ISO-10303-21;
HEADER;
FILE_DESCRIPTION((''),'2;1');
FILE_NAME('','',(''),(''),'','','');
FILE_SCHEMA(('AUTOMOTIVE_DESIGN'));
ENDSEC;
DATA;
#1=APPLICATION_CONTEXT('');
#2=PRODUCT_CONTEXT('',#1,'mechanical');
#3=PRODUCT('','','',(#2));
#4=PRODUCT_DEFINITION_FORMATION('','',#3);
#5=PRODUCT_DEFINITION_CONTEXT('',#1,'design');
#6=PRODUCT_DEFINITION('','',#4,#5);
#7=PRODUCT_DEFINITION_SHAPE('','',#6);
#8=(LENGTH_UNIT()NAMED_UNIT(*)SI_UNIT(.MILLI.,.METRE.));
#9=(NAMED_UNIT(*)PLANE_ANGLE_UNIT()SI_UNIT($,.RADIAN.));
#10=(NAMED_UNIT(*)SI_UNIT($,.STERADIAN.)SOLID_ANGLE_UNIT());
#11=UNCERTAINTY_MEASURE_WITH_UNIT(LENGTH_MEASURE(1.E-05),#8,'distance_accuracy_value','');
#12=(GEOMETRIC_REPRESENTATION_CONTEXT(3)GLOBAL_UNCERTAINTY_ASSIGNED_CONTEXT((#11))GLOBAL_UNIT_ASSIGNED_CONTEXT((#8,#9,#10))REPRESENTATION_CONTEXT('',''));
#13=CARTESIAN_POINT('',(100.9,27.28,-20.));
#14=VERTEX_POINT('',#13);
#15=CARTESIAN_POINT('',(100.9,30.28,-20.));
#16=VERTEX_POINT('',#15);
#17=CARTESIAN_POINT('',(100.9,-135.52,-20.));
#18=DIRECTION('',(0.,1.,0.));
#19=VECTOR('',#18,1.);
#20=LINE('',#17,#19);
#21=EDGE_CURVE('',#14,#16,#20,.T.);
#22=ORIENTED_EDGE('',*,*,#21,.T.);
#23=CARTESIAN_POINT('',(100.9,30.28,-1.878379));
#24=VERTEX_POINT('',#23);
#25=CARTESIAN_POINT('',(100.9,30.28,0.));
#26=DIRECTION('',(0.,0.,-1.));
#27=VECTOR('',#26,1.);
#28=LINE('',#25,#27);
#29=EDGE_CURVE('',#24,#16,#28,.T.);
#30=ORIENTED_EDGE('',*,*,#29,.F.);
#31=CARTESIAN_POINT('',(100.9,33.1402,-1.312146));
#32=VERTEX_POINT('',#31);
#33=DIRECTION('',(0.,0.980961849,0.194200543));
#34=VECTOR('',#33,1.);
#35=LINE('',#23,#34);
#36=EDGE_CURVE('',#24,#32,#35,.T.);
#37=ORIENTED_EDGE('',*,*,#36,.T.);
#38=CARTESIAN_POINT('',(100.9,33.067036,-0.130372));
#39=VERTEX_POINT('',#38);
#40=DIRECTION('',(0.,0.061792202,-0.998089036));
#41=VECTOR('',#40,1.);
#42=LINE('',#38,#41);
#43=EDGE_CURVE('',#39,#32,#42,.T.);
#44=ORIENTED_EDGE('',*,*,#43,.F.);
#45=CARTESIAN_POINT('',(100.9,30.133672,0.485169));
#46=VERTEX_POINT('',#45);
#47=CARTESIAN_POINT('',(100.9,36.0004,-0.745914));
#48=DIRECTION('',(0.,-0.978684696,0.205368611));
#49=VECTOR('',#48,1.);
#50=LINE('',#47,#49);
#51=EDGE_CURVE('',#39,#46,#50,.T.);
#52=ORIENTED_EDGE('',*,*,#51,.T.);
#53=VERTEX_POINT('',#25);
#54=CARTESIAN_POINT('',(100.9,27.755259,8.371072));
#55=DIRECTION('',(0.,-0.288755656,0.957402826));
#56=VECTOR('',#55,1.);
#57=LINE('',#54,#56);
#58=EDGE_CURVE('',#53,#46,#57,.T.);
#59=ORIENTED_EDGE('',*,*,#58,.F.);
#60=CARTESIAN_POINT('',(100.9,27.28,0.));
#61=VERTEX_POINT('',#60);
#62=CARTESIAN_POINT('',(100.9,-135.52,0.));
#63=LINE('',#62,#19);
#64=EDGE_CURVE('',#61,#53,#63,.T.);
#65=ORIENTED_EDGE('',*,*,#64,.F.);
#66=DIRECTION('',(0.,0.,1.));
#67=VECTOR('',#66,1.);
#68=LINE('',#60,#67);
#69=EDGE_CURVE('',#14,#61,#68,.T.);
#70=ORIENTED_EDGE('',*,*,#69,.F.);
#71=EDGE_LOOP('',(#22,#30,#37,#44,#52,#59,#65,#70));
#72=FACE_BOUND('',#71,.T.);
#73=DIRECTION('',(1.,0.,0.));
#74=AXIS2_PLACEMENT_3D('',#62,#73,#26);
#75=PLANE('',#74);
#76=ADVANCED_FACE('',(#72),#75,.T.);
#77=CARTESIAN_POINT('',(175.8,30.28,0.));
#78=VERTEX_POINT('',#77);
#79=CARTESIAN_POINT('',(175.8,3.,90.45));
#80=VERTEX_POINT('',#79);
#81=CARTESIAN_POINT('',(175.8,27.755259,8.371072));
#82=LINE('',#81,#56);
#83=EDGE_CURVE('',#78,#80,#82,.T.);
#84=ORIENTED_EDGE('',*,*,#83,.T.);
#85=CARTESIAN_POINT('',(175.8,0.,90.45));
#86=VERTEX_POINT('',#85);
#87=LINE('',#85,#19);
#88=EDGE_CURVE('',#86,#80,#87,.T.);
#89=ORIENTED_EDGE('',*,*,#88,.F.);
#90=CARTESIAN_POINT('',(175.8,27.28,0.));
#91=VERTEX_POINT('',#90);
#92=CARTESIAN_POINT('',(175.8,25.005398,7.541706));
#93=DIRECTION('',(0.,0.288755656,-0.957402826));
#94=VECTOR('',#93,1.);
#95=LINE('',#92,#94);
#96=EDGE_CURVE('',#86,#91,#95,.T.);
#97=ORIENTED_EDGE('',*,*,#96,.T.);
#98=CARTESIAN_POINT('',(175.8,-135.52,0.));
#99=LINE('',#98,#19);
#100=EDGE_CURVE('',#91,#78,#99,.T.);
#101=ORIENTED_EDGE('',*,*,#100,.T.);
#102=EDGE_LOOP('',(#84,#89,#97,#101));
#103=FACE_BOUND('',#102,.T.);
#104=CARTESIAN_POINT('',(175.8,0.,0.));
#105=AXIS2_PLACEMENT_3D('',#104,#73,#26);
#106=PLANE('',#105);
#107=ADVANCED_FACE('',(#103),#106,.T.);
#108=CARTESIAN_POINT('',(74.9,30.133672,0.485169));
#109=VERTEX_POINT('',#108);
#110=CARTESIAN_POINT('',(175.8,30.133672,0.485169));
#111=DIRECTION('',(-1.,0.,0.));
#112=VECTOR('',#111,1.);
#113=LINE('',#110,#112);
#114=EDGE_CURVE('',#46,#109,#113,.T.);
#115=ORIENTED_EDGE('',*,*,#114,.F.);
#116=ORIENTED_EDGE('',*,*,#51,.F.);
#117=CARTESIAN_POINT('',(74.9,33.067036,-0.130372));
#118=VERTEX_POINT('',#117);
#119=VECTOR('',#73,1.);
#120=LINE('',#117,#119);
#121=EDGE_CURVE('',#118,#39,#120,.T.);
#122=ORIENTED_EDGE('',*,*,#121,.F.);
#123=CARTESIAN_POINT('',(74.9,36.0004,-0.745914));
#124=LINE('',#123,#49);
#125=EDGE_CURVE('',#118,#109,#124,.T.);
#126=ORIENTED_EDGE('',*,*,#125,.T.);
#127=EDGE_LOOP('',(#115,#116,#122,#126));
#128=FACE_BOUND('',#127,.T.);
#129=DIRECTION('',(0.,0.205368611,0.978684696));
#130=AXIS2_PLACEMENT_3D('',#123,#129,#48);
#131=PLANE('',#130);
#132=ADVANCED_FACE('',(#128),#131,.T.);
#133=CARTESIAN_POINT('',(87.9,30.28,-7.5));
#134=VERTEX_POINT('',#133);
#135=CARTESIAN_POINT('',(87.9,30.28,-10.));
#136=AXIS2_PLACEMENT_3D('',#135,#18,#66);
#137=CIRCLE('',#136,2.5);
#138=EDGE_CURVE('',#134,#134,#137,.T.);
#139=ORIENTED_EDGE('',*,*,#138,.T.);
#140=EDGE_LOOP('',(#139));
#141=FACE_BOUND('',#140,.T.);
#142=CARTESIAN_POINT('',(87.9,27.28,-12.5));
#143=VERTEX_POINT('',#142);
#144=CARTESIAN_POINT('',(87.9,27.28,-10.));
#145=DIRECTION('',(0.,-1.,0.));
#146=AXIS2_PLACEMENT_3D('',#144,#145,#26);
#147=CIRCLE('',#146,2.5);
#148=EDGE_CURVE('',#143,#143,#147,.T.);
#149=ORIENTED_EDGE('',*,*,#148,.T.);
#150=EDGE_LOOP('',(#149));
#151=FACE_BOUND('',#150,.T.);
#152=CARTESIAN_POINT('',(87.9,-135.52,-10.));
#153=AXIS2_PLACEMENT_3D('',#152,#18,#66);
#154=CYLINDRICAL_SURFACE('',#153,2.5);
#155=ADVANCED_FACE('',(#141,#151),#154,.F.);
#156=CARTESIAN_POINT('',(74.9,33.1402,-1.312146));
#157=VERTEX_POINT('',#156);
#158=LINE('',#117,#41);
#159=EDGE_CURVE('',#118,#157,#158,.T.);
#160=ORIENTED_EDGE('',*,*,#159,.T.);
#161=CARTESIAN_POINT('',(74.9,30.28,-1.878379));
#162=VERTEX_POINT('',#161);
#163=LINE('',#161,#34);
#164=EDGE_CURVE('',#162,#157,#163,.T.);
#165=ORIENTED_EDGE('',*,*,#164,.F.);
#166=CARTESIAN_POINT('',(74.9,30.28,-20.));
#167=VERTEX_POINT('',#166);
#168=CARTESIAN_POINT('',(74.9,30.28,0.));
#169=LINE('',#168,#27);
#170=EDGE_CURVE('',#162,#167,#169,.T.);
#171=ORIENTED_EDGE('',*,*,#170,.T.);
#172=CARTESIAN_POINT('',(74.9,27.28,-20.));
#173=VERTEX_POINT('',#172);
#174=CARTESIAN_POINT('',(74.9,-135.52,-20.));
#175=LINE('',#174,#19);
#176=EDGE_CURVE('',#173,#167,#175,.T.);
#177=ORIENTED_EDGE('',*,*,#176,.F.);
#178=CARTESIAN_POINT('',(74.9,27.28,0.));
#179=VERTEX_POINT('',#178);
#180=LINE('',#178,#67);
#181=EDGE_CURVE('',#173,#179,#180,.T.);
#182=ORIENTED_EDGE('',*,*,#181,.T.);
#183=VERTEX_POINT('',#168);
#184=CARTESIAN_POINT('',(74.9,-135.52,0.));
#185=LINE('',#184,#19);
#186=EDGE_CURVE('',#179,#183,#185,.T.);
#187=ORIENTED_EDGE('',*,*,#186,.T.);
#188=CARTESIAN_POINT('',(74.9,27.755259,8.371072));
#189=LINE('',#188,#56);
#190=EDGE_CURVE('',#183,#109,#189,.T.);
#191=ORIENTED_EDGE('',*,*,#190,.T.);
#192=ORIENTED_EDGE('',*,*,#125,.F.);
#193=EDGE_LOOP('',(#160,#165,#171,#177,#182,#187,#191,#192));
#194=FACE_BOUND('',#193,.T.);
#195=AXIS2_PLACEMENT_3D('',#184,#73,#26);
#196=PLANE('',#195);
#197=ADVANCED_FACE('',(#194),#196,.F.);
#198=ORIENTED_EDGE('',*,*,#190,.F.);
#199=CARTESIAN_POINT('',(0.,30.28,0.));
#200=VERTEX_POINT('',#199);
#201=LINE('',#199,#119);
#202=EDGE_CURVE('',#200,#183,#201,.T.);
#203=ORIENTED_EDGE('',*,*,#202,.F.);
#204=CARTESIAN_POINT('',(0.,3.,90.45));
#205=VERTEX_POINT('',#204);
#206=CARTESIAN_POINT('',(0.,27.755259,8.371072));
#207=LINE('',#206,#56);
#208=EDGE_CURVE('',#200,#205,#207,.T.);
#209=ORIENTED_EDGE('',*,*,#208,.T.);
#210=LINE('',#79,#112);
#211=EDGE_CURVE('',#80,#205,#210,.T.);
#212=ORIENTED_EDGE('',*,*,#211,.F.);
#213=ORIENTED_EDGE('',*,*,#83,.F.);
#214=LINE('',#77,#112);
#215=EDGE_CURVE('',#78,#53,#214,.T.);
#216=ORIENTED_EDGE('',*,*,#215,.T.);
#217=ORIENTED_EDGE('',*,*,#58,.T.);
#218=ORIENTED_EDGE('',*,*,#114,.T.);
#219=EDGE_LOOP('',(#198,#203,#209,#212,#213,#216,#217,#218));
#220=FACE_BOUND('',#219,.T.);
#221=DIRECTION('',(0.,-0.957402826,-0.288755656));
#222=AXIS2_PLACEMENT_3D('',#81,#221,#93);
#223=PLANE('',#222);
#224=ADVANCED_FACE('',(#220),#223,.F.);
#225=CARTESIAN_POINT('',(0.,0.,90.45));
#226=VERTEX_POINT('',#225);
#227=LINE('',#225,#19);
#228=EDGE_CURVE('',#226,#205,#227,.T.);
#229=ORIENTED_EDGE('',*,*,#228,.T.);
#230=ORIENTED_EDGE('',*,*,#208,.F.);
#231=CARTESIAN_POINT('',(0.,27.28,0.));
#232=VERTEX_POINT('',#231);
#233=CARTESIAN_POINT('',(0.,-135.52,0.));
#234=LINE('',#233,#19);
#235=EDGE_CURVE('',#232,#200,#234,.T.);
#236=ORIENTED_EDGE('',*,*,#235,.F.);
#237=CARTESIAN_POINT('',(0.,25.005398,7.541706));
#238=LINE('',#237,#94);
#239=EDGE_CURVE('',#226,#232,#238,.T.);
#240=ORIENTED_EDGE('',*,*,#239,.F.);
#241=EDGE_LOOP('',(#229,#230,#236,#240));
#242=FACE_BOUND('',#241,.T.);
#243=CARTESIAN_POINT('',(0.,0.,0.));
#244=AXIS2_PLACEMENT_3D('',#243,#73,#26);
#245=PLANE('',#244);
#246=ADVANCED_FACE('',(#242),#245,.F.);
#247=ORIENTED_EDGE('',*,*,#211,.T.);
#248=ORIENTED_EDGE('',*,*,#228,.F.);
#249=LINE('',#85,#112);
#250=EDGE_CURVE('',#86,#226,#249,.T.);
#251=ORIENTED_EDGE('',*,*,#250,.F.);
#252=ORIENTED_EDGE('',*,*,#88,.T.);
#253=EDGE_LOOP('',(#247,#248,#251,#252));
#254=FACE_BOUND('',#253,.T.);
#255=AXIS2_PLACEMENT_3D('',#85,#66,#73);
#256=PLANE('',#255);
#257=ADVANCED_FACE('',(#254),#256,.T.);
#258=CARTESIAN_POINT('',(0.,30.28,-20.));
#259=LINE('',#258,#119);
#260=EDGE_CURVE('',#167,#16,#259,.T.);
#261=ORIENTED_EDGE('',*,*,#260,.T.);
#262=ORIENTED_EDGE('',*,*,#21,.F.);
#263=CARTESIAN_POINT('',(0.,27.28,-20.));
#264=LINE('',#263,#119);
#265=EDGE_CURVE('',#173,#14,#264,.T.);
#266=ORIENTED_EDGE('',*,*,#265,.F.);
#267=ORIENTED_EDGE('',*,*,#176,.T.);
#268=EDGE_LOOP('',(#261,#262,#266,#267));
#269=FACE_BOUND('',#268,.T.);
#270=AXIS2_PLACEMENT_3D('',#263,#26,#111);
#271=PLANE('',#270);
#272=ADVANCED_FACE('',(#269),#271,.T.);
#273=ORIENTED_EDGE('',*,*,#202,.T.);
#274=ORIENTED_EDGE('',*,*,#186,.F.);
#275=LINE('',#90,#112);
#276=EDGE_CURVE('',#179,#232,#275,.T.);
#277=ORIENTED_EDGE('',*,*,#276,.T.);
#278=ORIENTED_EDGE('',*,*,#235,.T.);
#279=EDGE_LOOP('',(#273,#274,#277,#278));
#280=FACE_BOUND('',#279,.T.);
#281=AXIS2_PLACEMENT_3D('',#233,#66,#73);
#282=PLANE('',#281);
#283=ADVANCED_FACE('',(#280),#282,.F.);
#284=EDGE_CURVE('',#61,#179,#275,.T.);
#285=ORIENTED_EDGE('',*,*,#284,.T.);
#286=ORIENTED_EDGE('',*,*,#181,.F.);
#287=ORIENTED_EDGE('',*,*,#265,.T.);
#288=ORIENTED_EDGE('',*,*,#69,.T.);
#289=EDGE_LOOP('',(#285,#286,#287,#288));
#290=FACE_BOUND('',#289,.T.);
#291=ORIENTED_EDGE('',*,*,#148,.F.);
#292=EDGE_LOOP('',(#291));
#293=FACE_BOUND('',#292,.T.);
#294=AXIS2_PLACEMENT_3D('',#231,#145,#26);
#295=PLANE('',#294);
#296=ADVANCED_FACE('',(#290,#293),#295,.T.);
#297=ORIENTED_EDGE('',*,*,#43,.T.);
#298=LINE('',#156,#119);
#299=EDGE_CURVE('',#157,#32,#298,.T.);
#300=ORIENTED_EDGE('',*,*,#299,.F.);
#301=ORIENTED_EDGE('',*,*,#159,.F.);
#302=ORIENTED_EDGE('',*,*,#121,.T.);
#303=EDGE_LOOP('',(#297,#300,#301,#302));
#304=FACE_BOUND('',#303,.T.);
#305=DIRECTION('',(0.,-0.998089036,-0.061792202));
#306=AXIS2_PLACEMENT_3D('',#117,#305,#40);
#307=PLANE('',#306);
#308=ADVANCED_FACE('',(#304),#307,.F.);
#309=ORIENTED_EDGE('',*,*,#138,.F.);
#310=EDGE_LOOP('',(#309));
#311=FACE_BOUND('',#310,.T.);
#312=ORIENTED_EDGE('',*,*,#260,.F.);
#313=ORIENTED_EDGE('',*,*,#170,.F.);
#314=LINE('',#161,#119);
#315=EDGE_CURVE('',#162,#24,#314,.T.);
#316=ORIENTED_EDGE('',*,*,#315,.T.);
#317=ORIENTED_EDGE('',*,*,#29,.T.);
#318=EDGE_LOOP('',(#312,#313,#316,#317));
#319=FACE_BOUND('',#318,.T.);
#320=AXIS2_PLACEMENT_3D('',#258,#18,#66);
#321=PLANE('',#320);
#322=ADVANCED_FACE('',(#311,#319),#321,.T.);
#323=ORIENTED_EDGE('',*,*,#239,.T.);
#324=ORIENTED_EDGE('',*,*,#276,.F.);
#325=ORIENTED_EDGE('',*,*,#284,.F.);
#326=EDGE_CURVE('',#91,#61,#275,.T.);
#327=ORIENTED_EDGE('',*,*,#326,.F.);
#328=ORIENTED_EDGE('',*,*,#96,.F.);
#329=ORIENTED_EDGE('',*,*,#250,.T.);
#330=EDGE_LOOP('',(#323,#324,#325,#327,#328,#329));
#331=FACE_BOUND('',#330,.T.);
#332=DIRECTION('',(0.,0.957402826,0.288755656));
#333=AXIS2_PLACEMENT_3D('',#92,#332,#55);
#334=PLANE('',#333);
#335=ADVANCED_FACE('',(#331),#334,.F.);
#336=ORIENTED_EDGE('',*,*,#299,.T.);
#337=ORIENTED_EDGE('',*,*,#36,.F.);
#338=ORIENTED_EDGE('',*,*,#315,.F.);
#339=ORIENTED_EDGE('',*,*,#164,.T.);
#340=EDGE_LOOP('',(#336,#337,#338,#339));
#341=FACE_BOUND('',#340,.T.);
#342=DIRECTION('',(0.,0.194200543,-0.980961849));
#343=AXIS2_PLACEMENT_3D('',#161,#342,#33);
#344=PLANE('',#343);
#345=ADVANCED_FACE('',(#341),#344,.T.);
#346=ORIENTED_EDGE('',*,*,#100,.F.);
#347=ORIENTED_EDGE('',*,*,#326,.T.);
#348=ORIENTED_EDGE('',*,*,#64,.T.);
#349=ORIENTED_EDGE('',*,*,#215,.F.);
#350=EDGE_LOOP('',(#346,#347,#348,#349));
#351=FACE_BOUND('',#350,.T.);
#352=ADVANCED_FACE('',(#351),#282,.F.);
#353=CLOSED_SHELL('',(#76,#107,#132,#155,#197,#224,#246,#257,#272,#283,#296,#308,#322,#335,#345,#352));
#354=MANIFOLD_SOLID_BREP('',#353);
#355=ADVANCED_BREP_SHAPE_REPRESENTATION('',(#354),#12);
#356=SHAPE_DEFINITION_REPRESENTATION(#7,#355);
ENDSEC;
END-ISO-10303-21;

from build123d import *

# Parameters (mm, degrees)
SALIENTE_EXTRUIR1_DEPTH = 175.8
CROQUIS3_W              = 20
CROQUIS3_H              = 3
SALIENTE_EXTRUIR2_DEPTH = 175.8
CROQUIS4_W              = 74.9
CROQUIS4_H              = 20
CROQUIS4_R              = 2.5
CORTAR_EXTRUIR1_DEPTH   = 165.8
SALIENTE_EXTRUIR3_START = -26
SALIENTE_EXTRUIR3_DEPTH = 26
CORTAR_EXTRUIR2_DEPTH   = 26


with BuildPart() as part:
    # Croquis2 → Saliente-Extruir1 (new body)
    with BuildSketch(Plane(origin=(0, 0, 0), x_dir=(0, 0, -1), z_dir=(1, 0, 0))):
        Polygon((0, 27.28), (0, 30.28), (-90.45, 3), (-90.45, 0), align=None)
    extrude(amount=SALIENTE_EXTRUIR1_DEPTH)

    # Croquis3 → Saliente-Extruir2 (add)
    with BuildSketch(Plane(origin=(175.8, 0, 0), x_dir=(0, 0, -1), z_dir=(1, 0, 0))):
        with Locations((10, 28.78)):
            Rectangle(CROQUIS3_W, CROQUIS3_H)
    extrude(amount=-SALIENTE_EXTRUIR2_DEPTH)

    # Croquis4 → Cortar-Extruir1 (cut)
    with BuildSketch(Plane(origin=(0, 30.28, 0), x_dir=(1, 0, 0), z_dir=(0, 1, 0))):
        with Locations((138.35, 10)):
            Rectangle(CROQUIS4_W, CROQUIS4_H)
        with Locations((37.45, 10)):
            Rectangle(CROQUIS4_W, CROQUIS4_H)
        with Locations((87.9, 10)):
            Circle(CROQUIS4_R)
    extrude(amount=-CORTAR_EXTRUIR1_DEPTH, mode=Mode.SUBTRACT)

    # Croquis5 → Saliente-Extruir3 (add)
    with BuildSketch(Plane(origin=(100.9, 0, 0), x_dir=(0, 0, -1), z_dir=(1, 0, 0)).offset(SALIENTE_EXTRUIR3_START)):
        Polygon((1.878378592, 30.28), (0.745913837, 36.00039966), (-0.555574899, 29.798151404), align=None)
    extrude(amount=SALIENTE_EXTRUIR3_DEPTH)

    # Croquis6 → Cortar-Extruir2 (cut)
    with BuildSketch(Plane(origin=(100.9, 0, 0), x_dir=(0, 0, -1), z_dir=(1, 0, 0))):
        Polygon((0.130372487, 33.067035615), (1.312146214, 33.14019983), (0.745913837, 36.00039966), align=None)
    extrude(amount=-CORTAR_EXTRUIR2_DEPTH, mode=Mode.SUBTRACT)


solid = part.part
